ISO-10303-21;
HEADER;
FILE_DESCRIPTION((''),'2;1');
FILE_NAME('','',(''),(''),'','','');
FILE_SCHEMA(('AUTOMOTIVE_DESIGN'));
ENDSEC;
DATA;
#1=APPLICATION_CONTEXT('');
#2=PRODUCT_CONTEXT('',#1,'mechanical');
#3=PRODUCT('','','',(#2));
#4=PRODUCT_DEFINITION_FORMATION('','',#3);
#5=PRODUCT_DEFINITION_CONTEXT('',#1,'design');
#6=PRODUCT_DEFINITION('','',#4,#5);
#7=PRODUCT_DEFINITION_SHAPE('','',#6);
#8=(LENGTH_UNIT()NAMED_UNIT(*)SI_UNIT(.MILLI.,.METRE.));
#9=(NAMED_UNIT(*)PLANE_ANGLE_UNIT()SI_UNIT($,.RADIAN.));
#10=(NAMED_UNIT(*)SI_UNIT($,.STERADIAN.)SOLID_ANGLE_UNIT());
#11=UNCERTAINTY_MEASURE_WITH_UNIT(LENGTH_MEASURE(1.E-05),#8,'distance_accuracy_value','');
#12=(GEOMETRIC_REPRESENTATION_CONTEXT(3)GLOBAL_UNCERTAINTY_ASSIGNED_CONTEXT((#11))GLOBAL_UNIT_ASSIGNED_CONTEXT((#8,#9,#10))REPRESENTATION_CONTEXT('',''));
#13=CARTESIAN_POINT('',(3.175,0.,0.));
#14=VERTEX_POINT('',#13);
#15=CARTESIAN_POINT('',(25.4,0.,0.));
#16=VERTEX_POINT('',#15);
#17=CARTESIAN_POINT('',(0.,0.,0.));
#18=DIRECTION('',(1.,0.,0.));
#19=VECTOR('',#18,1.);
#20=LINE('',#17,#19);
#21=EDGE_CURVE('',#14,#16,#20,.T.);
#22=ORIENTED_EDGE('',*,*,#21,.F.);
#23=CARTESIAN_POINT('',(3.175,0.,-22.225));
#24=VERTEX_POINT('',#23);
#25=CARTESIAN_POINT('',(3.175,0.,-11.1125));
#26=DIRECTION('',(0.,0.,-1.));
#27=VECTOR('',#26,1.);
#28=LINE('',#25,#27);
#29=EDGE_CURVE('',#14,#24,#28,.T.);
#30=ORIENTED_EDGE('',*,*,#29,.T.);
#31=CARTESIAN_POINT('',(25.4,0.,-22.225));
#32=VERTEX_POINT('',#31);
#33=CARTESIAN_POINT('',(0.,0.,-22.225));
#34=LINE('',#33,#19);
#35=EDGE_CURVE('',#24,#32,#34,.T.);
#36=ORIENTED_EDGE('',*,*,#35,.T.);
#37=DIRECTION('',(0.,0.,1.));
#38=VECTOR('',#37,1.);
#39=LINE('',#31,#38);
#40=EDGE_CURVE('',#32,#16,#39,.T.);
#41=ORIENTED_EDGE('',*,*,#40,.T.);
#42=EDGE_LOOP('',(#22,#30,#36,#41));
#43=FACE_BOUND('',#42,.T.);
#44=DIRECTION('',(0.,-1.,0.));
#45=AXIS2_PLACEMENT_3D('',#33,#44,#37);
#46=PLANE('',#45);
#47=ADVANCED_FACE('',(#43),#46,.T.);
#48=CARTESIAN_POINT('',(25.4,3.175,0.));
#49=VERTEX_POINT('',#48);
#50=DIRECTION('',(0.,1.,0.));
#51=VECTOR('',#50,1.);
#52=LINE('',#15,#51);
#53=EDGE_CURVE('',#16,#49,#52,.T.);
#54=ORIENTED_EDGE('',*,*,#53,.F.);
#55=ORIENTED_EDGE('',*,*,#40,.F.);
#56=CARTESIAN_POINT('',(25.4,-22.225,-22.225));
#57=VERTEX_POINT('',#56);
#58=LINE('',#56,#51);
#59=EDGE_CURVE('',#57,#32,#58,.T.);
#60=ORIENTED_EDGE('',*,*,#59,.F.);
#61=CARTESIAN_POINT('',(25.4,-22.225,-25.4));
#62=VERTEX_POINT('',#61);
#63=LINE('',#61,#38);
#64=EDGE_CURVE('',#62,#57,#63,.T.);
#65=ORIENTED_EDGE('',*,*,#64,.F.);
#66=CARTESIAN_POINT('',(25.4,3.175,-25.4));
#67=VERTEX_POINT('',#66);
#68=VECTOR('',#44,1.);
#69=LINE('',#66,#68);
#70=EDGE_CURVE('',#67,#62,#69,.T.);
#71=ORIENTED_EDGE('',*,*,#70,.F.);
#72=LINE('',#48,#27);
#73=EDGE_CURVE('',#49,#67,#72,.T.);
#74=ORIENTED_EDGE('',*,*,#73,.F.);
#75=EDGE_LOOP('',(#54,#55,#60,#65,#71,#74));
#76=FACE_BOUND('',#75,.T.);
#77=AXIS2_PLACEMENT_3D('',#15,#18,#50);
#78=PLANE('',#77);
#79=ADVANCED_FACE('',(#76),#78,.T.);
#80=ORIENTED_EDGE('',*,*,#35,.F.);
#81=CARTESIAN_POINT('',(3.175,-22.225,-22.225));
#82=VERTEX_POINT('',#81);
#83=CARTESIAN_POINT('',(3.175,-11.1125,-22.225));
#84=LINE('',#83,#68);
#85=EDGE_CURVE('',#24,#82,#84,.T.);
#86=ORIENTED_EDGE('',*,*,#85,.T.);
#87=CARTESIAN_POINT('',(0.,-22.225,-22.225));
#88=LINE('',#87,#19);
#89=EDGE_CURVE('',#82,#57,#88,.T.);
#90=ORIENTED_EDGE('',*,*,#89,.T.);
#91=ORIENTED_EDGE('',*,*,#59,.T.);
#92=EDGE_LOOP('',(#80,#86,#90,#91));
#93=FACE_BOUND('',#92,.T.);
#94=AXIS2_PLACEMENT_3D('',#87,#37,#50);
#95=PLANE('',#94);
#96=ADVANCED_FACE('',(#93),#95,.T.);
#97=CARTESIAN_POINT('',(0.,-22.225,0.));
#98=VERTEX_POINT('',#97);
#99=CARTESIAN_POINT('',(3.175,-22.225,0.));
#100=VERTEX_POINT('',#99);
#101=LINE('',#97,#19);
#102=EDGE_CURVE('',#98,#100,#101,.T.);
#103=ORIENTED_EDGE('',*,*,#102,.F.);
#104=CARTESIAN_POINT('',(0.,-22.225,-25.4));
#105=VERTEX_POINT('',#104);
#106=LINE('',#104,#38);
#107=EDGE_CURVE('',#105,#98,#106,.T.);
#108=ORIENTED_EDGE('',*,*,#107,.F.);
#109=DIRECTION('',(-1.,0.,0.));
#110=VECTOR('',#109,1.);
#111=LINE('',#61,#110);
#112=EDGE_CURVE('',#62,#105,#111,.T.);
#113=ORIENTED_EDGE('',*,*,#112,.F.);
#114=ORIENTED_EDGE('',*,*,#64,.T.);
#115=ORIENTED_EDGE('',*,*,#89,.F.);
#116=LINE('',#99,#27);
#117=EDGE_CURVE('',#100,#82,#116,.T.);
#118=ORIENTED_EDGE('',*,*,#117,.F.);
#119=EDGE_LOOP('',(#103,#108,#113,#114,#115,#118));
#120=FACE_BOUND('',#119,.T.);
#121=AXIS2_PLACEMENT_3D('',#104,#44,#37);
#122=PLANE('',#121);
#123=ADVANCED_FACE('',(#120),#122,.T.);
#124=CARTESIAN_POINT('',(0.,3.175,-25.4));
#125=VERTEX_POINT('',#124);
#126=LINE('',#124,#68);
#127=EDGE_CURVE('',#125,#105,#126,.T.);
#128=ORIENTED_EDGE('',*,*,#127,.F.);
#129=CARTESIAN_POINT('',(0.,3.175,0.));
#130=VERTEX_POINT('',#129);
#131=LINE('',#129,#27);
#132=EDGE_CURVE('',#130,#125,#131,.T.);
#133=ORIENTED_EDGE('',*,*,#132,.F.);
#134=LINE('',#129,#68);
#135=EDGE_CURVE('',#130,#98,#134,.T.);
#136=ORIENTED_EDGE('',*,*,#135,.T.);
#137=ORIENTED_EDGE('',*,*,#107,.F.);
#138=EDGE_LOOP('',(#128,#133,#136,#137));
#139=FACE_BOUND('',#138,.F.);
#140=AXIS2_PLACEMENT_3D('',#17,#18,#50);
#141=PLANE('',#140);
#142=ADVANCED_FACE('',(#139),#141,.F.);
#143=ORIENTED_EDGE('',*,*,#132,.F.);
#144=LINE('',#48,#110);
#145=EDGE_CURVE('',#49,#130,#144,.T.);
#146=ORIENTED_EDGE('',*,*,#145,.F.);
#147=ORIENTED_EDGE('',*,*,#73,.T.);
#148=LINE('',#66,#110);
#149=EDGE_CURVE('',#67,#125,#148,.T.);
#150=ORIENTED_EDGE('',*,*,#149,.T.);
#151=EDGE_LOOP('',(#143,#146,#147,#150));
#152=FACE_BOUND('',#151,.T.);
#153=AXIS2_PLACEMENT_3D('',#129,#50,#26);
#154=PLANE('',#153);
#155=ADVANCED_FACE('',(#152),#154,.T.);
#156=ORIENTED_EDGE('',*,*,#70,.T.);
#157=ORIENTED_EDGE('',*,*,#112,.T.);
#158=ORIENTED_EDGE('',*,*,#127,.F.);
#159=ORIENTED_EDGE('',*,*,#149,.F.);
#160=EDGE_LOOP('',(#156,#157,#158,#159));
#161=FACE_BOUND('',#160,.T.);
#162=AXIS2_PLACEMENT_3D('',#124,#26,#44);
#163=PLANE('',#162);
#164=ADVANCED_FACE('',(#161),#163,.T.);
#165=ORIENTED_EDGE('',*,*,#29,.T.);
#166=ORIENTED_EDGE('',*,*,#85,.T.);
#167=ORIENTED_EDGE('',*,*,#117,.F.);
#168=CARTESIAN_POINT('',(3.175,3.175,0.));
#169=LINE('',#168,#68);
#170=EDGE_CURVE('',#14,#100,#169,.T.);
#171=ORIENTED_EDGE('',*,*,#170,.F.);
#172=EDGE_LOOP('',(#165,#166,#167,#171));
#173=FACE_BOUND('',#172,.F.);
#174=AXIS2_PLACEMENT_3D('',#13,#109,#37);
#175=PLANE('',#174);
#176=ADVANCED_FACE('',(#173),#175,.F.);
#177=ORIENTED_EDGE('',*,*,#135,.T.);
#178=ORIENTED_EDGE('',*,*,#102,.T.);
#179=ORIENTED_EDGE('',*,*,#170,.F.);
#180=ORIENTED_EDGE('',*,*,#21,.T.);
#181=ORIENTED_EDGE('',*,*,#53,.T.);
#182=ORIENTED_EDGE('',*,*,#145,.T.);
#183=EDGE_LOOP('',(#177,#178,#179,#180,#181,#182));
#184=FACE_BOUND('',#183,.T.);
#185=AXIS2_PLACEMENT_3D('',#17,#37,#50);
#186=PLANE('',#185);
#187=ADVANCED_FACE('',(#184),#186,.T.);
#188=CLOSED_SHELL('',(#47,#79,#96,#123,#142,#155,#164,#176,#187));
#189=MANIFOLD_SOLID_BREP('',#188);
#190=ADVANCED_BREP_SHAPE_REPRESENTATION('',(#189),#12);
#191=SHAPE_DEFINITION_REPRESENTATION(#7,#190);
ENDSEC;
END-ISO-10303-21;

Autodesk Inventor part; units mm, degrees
ref_plane "YZ Plane" through (0, 0, 0) normal (1, 0, 0) x (0, 1, 0)
ref_plane "XZ Plane" through (0, 0, 0) normal (0, 1, 0) x (-1, 0, 0)
ref_plane "XY Plane" through (0, 0, 0) normal (0, 0, 1) x (1, 0, 0)
sketch "Sketch1" plane through (0, 0, 0) normal (1, 0, 0) x (0, 1, 0)
  line L0 (0, 0) -> (3.175, 0)
  line L1 (3.175, 0) -> (3.175, -25.4)
  line L2 (3.175, -25.4) -> (-22.225, -25.4)
  line L3 (-22.225, -25.4) -> (-22.225, -22.225)
  line L4 (-22.225, -22.225) -> (0, -22.225)
  line L5 (0, -22.225) -> (0, 0)
  dimension "d0" = 3.175
  dimension "d1" = 3.175
  dimension "d2" = 25.4
  dimension "d3" = 25.4
extrude "Extrusion1" add sketch "Sketch1" along normal blind 25.4
sketch "Sketch2" plane through (0, 0, 0) normal (-1, 0, 0) x (0, 0, 1)
  line L0 (-25.4, -22.225) -> (-25.4, 3.175) projected
  line L1 (-25.4, 3.175) -> (0, 3.175)
  line L2 (0, 3.175) -> (0, -22.225)
  line L3 (0, -22.225) -> (-25.4, -22.225)
  line L4 (-25.4, -22.225) -> (-25.4, 3.175)
  line L5 (-25.4, -22.225) -> (-22.225, -22.225) projected
  point P0 (0, 0)
extrude "Extrusion2" add sketch "Sketch2" against normal blind 3.175
properties part number "gusset_plate_corner"
